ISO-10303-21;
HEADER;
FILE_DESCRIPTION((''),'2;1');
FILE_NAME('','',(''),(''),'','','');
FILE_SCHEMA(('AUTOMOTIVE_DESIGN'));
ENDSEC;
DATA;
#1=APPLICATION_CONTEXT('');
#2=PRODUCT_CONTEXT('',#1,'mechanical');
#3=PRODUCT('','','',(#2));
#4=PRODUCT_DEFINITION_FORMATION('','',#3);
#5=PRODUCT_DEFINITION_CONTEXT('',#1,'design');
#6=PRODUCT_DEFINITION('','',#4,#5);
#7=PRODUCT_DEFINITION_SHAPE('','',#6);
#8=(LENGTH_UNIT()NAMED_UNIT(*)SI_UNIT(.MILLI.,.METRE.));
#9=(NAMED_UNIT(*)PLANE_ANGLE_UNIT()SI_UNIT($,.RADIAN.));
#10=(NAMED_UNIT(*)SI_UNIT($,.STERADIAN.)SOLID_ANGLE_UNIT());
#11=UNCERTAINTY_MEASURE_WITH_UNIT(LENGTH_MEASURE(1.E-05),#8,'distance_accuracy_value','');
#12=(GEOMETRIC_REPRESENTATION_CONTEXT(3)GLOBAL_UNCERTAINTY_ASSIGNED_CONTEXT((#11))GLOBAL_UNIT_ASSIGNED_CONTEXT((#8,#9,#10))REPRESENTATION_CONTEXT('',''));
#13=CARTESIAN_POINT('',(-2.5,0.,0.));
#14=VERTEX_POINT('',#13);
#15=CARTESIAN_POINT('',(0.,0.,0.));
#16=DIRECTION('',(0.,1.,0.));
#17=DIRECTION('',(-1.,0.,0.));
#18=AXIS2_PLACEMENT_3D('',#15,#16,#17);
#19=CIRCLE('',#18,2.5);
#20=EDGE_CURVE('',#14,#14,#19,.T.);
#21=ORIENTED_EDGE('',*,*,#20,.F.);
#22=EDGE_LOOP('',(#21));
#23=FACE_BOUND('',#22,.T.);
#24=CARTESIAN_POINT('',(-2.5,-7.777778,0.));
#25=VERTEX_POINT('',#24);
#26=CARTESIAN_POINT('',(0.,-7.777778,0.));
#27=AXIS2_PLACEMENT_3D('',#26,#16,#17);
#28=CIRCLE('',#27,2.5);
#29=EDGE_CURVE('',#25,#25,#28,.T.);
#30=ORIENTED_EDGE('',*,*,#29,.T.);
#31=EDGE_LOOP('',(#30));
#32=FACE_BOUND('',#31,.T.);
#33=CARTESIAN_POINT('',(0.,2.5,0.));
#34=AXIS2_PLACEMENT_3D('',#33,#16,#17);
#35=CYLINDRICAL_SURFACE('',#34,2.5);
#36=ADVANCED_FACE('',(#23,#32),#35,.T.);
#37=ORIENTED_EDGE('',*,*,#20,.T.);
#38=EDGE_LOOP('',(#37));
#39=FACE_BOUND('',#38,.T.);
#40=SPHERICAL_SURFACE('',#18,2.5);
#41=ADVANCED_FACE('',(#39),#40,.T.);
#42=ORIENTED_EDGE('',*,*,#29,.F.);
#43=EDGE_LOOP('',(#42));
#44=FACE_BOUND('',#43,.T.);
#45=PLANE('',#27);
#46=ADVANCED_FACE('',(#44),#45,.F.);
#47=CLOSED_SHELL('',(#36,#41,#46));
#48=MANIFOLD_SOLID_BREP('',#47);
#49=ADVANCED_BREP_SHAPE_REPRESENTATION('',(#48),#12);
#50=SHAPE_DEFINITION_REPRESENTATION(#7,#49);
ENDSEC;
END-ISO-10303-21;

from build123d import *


with BuildPart() as part:
    # Sketch4 → Revolve4 (revolve)
    with BuildSketch(Plane.XY, mode=Mode.PRIVATE) as revolve4_sk:
        with BuildLine():
            ThreePointArc((2.5, 0), (1.767766953, 1.767766953), (0, 2.5))
            Line((0, 2.5), (0, -7.777777778))
            Line((0, -7.777777778), (2.5, -7.777777778))
            Line((2.5, -7.777777778), (2.5, 0))
        make_face()
    revolve(revolve4_sk.sketch.rotate(Axis((0, 2.5, 0), (0, -1, 0)), 180), axis=Axis((0, 2.5, 0), (0, -1, 0)))  # turned: the seam where the file's is


solid = part.part
